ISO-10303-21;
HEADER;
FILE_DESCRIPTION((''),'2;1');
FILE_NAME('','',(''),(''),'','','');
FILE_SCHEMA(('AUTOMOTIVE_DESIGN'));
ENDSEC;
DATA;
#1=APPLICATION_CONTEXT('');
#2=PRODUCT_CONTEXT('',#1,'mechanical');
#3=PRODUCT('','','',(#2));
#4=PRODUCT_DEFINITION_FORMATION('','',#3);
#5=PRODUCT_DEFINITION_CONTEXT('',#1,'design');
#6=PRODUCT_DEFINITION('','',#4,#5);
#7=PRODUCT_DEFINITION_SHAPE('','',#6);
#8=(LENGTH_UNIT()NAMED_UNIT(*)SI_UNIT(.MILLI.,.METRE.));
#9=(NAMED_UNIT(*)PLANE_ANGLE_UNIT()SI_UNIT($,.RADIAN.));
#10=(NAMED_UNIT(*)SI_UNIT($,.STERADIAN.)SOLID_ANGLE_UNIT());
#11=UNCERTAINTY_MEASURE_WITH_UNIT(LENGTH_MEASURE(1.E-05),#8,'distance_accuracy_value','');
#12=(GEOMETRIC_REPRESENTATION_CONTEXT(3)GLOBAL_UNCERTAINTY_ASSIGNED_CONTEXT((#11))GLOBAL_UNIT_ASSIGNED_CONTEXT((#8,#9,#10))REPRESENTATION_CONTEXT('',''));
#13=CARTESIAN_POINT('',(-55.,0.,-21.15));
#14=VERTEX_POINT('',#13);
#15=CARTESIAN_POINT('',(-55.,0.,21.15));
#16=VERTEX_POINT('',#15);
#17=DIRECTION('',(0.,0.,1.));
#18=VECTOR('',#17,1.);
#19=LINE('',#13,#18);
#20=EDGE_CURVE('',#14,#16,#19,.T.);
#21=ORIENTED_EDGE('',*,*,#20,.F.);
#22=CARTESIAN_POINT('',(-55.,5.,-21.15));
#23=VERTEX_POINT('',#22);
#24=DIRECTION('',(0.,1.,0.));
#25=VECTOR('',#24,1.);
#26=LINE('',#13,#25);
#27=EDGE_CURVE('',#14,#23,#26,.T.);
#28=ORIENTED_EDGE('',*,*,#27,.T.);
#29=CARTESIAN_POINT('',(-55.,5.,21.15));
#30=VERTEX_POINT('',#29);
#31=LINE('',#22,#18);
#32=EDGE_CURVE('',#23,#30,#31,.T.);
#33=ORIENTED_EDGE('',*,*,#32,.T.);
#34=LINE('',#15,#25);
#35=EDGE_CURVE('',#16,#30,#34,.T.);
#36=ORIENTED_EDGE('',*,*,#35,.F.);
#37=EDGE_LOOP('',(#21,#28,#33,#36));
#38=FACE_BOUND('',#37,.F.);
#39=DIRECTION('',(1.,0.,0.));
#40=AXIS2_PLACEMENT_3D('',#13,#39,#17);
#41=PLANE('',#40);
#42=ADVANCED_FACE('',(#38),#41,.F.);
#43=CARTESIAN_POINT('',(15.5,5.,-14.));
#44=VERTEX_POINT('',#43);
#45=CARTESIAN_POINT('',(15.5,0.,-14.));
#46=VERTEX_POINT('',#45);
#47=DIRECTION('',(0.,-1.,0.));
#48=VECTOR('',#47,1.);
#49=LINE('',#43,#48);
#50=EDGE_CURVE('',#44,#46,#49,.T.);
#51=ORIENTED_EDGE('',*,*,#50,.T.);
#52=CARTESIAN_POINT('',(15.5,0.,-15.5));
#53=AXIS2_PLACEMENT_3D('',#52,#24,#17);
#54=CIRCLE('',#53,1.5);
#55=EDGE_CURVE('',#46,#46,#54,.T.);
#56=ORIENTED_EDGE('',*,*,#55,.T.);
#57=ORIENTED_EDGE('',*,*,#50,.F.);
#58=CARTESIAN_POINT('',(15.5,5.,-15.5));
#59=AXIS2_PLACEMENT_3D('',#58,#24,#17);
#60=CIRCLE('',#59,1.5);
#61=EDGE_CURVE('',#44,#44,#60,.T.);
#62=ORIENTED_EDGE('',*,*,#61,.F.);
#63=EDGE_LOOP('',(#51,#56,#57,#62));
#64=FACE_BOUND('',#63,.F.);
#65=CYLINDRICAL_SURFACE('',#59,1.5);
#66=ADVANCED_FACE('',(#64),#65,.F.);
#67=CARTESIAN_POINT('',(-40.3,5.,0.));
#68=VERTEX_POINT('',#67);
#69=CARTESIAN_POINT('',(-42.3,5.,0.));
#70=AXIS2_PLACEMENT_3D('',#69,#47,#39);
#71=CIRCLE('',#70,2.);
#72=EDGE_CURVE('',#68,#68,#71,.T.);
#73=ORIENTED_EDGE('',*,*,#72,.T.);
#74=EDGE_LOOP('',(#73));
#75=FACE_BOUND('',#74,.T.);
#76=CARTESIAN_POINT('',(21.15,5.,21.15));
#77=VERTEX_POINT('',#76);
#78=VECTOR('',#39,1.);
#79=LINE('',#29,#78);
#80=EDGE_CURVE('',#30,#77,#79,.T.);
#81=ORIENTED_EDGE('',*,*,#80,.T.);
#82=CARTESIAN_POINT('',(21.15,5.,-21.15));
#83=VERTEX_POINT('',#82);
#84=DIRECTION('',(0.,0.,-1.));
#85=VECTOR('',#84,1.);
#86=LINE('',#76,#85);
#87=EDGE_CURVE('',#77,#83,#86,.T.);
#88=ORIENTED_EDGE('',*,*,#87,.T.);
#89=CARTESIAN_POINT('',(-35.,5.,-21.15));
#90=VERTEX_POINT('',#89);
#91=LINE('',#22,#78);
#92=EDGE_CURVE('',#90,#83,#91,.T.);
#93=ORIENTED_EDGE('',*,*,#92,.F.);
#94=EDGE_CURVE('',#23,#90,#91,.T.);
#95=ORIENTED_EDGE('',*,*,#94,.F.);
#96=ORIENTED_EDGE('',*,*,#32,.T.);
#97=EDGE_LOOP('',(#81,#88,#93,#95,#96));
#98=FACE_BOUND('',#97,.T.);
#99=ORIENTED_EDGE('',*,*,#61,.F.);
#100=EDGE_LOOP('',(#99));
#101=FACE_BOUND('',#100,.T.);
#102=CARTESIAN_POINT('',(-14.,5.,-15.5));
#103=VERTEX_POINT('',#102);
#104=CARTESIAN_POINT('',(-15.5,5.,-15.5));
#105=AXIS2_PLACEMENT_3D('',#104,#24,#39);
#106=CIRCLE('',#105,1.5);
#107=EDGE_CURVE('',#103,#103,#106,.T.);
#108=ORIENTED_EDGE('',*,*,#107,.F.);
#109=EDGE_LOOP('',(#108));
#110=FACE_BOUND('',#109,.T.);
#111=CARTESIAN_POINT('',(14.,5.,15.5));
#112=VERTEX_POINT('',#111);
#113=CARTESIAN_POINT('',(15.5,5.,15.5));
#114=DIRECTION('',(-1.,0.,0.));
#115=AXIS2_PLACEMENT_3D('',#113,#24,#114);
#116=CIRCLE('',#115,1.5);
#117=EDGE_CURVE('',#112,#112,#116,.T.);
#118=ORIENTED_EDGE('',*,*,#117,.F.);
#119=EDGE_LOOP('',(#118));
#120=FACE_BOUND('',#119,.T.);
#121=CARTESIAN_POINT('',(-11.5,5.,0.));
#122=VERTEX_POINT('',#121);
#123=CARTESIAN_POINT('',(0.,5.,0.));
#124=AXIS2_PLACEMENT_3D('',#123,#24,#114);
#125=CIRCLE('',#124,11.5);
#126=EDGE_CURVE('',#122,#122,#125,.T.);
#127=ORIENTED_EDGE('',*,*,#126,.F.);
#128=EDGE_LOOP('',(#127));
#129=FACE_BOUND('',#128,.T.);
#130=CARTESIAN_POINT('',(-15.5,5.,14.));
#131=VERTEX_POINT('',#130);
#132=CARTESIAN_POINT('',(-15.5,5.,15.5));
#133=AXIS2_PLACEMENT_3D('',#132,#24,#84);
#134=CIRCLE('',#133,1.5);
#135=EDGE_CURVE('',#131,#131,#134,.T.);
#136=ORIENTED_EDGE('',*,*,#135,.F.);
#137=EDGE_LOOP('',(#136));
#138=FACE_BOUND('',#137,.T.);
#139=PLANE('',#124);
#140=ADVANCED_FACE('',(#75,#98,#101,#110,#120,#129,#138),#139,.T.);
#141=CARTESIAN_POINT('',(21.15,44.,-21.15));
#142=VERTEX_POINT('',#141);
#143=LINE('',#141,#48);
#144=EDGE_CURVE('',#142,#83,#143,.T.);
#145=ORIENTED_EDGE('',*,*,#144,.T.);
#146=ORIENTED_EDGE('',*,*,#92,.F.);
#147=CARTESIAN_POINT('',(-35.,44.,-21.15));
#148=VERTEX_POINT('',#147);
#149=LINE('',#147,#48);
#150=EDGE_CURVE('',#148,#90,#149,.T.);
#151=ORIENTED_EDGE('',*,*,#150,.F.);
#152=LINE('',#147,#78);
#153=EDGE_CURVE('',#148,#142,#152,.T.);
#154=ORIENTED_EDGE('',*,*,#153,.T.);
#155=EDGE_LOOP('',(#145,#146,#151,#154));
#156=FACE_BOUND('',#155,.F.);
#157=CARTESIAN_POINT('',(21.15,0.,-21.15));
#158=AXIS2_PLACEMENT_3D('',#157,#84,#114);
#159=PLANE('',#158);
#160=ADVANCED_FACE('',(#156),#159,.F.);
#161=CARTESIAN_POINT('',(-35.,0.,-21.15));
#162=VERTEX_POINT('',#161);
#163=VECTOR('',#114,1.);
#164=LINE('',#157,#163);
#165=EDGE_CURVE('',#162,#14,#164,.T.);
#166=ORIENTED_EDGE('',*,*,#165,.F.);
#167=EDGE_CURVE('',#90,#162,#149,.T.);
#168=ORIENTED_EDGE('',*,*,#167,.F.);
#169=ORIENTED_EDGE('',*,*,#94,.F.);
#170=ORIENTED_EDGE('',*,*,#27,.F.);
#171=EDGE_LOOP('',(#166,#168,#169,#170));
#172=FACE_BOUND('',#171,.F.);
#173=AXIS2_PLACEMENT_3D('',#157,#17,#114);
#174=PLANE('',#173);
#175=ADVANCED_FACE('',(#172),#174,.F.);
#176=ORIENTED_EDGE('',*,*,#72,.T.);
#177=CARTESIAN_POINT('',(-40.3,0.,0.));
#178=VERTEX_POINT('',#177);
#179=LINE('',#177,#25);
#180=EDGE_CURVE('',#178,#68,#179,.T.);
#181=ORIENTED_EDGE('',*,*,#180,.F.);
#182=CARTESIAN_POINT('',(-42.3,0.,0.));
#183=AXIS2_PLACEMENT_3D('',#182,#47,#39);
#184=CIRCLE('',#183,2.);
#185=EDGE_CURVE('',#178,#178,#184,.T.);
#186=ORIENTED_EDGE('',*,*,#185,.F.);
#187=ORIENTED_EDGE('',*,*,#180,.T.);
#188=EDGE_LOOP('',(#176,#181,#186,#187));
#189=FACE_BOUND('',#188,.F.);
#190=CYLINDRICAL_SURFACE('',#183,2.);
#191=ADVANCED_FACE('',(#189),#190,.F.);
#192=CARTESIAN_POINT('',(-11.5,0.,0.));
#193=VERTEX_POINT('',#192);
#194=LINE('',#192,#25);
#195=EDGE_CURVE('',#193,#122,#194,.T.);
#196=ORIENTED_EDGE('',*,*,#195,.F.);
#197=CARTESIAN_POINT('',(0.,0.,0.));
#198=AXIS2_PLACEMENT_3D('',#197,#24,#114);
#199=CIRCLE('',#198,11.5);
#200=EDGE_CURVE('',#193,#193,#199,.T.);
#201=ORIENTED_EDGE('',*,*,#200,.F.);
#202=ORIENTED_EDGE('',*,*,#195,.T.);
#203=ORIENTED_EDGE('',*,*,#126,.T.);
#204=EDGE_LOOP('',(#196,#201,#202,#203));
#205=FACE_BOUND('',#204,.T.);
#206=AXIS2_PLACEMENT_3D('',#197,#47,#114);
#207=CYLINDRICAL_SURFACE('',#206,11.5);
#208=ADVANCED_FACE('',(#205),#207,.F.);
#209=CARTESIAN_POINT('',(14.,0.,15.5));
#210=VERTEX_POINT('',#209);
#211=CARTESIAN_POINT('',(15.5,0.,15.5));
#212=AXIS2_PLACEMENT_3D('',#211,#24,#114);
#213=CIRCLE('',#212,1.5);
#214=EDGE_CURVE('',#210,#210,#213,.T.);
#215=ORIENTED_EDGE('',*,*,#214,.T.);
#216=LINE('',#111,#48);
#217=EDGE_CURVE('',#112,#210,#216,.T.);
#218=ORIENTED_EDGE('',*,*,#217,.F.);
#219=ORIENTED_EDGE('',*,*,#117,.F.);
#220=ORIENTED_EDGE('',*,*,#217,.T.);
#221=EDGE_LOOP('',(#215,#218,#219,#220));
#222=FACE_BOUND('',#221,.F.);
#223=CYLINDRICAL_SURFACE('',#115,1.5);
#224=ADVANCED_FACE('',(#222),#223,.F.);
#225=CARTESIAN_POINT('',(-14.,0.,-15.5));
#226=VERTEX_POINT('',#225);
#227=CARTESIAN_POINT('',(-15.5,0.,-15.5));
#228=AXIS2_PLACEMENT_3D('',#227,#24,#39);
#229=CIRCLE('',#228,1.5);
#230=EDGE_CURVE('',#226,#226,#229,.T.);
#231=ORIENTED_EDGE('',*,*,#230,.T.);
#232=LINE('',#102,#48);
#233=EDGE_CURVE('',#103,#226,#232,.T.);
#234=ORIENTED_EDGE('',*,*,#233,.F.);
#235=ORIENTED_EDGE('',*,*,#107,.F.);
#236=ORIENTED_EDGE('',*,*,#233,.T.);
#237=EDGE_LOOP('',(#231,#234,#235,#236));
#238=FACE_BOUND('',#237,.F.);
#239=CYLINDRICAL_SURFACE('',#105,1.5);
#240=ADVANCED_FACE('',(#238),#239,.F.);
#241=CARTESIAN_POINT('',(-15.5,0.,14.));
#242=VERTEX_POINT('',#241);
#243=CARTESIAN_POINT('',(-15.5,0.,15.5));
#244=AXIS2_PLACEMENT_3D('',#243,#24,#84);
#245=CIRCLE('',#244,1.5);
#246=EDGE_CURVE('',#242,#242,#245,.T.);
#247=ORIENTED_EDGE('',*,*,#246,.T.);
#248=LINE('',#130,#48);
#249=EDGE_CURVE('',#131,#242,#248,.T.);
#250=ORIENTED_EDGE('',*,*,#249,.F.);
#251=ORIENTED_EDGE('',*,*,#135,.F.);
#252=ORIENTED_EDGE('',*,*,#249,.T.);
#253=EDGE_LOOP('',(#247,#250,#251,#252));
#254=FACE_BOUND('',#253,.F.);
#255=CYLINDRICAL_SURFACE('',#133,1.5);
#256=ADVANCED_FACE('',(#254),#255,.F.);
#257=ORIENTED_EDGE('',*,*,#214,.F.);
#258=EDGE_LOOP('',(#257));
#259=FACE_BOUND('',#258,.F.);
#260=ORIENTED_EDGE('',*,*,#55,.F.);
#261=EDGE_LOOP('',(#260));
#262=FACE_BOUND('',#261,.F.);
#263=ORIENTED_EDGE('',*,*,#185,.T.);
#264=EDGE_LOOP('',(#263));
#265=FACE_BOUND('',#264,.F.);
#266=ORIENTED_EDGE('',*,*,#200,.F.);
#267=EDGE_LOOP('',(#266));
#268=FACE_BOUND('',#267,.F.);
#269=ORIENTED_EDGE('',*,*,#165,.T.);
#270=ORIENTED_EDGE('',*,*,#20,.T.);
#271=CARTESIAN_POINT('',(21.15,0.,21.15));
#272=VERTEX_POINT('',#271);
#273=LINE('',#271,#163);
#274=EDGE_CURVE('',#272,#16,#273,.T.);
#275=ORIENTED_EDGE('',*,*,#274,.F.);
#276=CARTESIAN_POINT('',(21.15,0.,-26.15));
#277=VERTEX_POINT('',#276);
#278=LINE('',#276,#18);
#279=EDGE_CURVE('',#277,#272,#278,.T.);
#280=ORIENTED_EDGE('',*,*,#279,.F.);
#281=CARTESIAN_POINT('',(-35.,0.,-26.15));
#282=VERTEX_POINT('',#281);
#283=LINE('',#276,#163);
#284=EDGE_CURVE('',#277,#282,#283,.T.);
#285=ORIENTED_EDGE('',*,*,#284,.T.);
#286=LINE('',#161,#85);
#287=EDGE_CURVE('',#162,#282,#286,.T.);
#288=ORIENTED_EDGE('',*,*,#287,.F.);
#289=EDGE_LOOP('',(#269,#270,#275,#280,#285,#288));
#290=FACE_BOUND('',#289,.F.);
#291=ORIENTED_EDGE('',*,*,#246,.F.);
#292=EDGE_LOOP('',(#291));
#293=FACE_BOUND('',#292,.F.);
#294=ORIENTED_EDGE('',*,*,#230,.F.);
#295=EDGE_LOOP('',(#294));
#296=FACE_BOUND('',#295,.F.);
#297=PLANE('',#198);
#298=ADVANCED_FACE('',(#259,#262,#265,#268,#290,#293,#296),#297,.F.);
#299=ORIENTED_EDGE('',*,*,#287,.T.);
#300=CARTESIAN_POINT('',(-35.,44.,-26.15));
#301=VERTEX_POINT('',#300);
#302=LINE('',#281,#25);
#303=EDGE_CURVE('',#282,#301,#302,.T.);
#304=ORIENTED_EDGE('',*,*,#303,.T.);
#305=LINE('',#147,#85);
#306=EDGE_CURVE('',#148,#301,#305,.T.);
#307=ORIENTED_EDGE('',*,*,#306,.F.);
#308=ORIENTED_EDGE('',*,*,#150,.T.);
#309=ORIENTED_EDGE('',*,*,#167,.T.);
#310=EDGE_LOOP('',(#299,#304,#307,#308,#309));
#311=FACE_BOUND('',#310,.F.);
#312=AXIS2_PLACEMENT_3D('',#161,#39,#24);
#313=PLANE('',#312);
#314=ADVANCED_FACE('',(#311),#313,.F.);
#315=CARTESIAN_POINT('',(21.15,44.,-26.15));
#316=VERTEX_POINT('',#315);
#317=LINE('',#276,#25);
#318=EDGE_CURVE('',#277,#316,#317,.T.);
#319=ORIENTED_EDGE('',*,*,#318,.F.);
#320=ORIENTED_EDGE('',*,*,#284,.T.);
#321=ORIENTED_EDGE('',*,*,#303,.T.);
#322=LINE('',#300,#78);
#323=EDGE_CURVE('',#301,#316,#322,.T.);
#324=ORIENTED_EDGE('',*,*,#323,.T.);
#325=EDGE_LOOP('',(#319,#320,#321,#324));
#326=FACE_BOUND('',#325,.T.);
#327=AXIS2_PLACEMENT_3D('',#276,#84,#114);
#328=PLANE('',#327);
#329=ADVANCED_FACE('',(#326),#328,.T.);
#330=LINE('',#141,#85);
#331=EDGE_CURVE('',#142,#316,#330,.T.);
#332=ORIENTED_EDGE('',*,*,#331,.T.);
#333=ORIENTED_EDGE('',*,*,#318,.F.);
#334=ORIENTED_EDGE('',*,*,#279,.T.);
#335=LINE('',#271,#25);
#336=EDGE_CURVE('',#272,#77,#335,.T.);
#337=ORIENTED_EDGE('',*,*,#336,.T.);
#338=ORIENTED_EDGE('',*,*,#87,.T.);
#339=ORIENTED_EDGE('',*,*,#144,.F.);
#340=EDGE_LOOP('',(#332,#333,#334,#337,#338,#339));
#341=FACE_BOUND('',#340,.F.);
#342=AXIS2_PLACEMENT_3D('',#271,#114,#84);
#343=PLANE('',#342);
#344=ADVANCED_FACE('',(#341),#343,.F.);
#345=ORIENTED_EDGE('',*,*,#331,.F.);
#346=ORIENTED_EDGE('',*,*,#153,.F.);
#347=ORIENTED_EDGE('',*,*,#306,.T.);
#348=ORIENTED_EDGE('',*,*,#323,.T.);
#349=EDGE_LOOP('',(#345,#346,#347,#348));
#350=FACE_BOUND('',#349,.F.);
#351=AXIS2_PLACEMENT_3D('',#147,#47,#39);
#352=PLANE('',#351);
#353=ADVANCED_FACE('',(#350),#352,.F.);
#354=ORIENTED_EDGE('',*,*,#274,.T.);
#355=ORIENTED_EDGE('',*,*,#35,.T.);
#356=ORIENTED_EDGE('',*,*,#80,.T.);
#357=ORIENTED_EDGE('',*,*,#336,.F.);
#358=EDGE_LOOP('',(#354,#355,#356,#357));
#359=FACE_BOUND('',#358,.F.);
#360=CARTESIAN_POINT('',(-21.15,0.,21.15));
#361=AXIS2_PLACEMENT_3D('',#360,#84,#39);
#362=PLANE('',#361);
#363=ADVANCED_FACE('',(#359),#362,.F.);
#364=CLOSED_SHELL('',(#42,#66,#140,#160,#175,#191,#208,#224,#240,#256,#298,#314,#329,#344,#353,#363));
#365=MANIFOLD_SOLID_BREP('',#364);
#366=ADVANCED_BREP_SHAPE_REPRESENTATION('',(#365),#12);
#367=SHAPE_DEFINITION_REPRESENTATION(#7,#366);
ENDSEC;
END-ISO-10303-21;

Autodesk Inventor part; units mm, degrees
ref_plane "YZ Plane" through (0, 0, 0) normal (1, 0, 0) x (0, 1, 0)
ref_plane "XZ Plane" through (0, 0, 0) normal (0, 1, 0) x (-1, 0, 0)
sketch "Boceto1" plane through (0, 0, 0) normal (0, 1, 0) x (-1, 0, 0)
  line L0 (21.15, 21.15) -> (-21.15, 21.15)
  line L1 (-21.15, 21.15) -> (-21.15, -21.15)
  line L2 (-21.15, -21.15) -> (21.15, -21.15)
  line L3 (21.15, -21.15) -> (21.15, 21.15)
  line L4 (0, 0) -> (3.2885, 0)
  line L5 (0, 0) -> (0, -4.7563)
  circle A0 centre (0, 0) radius 11.5
  line L6 (21.15, -21.15) -> (55, -21.15)
  line L7 (55, -21.15) -> (55, 21.15)
  line L8 (55, 21.15) -> (21.15, 21.15)
  line L9 (21.15, 21.15) -> (21.15, -21.15)
  dimension "d0" = 42.3
  dimension "d1" = 42.3
  dimension "d26" = 23
  dimension "d35" = 55
extrude "Extrusión1" add sketch "Boceto1" along normal blind 5
sketch "Boceto2" plane through (0, 5, 0) normal (0, 1, 0) x (1, 0, 0)
  circle A0 centre (-15.5, 15.5) radius 1.5
  point P0 (0, 0)
  dimension "d4" = 3
  dimension "d5" = 15.5
  dimension "d6" = 15.5
extrude "Extrusión2" cut sketch "Boceto2" against normal through all
pattern_circular "Patrón circular1" count 4 over 360 about axis through (0, -10, 0) along (0, 1, 0) of "Extrusión2"
sketch "Boceto7" plane through (0, 0, 0) normal (0, -1, 0) x (1, 0, 0)
  circle A0 centre (-42.3, 0) radius 2
  point P0 (0, 0)
  dimension "d31" = 4
  dimension "d32" = 42.3
extrude "Extrusión7" cut sketch "Boceto7" against normal through all
sketch "Boceto8" plane through (21.15, 0, -21.15) normal (0, 0, -1) x (-1, 0, 0)
  line L0 (0, 0) -> (0, 5) projected
  line L1 (0, 0) -> (56.15, 0)
  line L2 (56.15, 0) -> (56.15, 44)
  line L3 (56.15, 44) -> (0, 44)
  line L4 (0, 44) -> (0, 0)
  line L5 (0, 5) -> (76.15, 5) projected
  point P0 (21.15, 0)
  dimension "d36" = 39
extrude "Extrusión8" add sketch "Boceto8" along normal blind 5
ref_plane "Plano de trabajo1" through (0, -17, 0) normal (0, -1, 0) x (1, 0, 0)
equation "\"d0\" = d1"
equation "\"d6\" = d5"
properties part number "Base Motor X1"
